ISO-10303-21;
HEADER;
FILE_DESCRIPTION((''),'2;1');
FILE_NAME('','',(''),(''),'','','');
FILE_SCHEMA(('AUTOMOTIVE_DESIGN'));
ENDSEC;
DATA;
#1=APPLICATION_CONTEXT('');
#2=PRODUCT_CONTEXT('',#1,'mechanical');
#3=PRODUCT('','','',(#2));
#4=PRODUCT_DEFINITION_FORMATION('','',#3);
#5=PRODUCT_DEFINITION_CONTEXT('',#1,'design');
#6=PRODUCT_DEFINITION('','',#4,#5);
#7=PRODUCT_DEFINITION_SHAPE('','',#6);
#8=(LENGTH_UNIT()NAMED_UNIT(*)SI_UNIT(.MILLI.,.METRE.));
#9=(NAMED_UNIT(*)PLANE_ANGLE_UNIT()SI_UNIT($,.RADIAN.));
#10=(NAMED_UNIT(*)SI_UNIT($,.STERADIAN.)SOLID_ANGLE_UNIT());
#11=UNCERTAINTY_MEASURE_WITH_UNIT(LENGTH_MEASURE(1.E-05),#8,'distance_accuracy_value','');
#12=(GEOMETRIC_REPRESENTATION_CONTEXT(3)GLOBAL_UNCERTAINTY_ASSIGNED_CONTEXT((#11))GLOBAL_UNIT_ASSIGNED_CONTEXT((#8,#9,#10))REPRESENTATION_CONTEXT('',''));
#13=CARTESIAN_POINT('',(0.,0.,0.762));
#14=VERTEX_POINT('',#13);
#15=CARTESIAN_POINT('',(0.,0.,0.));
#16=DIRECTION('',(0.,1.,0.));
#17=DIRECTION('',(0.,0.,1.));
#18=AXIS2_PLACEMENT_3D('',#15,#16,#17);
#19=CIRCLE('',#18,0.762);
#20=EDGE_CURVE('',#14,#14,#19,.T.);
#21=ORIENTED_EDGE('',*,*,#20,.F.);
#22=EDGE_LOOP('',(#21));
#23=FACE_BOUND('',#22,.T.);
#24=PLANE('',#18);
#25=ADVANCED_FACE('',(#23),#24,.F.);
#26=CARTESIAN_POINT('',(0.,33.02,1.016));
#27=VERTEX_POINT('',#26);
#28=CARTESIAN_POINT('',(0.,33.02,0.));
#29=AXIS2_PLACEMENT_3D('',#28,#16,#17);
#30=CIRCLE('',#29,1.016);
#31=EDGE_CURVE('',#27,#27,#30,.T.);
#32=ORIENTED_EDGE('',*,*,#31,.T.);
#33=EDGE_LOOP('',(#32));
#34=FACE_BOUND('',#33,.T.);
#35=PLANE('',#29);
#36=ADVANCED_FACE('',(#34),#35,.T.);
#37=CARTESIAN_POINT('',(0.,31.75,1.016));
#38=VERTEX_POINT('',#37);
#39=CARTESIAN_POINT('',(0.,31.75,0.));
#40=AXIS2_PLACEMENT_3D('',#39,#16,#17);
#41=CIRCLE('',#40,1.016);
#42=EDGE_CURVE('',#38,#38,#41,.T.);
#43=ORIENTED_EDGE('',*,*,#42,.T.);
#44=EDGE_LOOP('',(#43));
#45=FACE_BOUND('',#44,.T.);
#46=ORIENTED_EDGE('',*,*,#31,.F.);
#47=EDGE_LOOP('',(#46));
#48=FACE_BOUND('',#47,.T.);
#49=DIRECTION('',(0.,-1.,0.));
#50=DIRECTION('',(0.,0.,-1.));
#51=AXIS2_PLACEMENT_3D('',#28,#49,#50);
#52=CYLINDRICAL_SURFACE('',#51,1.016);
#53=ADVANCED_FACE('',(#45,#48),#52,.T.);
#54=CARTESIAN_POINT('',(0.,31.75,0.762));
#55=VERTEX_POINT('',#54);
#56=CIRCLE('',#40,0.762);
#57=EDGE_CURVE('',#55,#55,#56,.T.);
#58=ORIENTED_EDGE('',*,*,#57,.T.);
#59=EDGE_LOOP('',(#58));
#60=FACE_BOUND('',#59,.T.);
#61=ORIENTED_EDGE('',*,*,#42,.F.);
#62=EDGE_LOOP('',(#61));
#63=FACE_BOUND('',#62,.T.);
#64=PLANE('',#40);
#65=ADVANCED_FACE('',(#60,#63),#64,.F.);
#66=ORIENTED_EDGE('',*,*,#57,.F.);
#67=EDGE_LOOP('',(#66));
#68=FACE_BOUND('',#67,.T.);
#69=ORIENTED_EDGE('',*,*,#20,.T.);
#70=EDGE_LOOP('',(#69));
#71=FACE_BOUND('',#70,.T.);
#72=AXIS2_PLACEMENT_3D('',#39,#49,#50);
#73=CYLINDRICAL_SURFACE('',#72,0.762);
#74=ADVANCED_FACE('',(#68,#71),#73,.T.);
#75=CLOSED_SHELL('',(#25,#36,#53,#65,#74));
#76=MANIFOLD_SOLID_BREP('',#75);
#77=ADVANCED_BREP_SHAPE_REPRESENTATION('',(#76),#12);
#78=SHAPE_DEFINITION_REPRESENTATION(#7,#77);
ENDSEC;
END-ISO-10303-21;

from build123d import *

# Parameters (mm, degrees)
SKETCH1_R           = 0.762
BOSS_EXTRUDE1_DEPTH = 31.75
SKETCH2_R           = 1.016
BOSS_EXTRUDE2_DEPTH = 1.27


with BuildPart() as part:
    # Sketch1 → Boss-Extrude1 (new body)
    with BuildSketch(Plane(origin=(0, 0, 0), x_dir=(1, 0, 0), z_dir=(0, 1, 0))):
        Circle(SKETCH1_R)
    extrude(amount=BOSS_EXTRUDE1_DEPTH)

    # Sketch2 → Boss-Extrude2 (add)
    with BuildSketch(Plane(origin=(0, 31.75, 0), x_dir=(1, 0, 0), z_dir=(0, 1, 0))):
        Circle(SKETCH2_R)
    extrude(amount=BOSS_EXTRUDE2_DEPTH)


solid = part.part
